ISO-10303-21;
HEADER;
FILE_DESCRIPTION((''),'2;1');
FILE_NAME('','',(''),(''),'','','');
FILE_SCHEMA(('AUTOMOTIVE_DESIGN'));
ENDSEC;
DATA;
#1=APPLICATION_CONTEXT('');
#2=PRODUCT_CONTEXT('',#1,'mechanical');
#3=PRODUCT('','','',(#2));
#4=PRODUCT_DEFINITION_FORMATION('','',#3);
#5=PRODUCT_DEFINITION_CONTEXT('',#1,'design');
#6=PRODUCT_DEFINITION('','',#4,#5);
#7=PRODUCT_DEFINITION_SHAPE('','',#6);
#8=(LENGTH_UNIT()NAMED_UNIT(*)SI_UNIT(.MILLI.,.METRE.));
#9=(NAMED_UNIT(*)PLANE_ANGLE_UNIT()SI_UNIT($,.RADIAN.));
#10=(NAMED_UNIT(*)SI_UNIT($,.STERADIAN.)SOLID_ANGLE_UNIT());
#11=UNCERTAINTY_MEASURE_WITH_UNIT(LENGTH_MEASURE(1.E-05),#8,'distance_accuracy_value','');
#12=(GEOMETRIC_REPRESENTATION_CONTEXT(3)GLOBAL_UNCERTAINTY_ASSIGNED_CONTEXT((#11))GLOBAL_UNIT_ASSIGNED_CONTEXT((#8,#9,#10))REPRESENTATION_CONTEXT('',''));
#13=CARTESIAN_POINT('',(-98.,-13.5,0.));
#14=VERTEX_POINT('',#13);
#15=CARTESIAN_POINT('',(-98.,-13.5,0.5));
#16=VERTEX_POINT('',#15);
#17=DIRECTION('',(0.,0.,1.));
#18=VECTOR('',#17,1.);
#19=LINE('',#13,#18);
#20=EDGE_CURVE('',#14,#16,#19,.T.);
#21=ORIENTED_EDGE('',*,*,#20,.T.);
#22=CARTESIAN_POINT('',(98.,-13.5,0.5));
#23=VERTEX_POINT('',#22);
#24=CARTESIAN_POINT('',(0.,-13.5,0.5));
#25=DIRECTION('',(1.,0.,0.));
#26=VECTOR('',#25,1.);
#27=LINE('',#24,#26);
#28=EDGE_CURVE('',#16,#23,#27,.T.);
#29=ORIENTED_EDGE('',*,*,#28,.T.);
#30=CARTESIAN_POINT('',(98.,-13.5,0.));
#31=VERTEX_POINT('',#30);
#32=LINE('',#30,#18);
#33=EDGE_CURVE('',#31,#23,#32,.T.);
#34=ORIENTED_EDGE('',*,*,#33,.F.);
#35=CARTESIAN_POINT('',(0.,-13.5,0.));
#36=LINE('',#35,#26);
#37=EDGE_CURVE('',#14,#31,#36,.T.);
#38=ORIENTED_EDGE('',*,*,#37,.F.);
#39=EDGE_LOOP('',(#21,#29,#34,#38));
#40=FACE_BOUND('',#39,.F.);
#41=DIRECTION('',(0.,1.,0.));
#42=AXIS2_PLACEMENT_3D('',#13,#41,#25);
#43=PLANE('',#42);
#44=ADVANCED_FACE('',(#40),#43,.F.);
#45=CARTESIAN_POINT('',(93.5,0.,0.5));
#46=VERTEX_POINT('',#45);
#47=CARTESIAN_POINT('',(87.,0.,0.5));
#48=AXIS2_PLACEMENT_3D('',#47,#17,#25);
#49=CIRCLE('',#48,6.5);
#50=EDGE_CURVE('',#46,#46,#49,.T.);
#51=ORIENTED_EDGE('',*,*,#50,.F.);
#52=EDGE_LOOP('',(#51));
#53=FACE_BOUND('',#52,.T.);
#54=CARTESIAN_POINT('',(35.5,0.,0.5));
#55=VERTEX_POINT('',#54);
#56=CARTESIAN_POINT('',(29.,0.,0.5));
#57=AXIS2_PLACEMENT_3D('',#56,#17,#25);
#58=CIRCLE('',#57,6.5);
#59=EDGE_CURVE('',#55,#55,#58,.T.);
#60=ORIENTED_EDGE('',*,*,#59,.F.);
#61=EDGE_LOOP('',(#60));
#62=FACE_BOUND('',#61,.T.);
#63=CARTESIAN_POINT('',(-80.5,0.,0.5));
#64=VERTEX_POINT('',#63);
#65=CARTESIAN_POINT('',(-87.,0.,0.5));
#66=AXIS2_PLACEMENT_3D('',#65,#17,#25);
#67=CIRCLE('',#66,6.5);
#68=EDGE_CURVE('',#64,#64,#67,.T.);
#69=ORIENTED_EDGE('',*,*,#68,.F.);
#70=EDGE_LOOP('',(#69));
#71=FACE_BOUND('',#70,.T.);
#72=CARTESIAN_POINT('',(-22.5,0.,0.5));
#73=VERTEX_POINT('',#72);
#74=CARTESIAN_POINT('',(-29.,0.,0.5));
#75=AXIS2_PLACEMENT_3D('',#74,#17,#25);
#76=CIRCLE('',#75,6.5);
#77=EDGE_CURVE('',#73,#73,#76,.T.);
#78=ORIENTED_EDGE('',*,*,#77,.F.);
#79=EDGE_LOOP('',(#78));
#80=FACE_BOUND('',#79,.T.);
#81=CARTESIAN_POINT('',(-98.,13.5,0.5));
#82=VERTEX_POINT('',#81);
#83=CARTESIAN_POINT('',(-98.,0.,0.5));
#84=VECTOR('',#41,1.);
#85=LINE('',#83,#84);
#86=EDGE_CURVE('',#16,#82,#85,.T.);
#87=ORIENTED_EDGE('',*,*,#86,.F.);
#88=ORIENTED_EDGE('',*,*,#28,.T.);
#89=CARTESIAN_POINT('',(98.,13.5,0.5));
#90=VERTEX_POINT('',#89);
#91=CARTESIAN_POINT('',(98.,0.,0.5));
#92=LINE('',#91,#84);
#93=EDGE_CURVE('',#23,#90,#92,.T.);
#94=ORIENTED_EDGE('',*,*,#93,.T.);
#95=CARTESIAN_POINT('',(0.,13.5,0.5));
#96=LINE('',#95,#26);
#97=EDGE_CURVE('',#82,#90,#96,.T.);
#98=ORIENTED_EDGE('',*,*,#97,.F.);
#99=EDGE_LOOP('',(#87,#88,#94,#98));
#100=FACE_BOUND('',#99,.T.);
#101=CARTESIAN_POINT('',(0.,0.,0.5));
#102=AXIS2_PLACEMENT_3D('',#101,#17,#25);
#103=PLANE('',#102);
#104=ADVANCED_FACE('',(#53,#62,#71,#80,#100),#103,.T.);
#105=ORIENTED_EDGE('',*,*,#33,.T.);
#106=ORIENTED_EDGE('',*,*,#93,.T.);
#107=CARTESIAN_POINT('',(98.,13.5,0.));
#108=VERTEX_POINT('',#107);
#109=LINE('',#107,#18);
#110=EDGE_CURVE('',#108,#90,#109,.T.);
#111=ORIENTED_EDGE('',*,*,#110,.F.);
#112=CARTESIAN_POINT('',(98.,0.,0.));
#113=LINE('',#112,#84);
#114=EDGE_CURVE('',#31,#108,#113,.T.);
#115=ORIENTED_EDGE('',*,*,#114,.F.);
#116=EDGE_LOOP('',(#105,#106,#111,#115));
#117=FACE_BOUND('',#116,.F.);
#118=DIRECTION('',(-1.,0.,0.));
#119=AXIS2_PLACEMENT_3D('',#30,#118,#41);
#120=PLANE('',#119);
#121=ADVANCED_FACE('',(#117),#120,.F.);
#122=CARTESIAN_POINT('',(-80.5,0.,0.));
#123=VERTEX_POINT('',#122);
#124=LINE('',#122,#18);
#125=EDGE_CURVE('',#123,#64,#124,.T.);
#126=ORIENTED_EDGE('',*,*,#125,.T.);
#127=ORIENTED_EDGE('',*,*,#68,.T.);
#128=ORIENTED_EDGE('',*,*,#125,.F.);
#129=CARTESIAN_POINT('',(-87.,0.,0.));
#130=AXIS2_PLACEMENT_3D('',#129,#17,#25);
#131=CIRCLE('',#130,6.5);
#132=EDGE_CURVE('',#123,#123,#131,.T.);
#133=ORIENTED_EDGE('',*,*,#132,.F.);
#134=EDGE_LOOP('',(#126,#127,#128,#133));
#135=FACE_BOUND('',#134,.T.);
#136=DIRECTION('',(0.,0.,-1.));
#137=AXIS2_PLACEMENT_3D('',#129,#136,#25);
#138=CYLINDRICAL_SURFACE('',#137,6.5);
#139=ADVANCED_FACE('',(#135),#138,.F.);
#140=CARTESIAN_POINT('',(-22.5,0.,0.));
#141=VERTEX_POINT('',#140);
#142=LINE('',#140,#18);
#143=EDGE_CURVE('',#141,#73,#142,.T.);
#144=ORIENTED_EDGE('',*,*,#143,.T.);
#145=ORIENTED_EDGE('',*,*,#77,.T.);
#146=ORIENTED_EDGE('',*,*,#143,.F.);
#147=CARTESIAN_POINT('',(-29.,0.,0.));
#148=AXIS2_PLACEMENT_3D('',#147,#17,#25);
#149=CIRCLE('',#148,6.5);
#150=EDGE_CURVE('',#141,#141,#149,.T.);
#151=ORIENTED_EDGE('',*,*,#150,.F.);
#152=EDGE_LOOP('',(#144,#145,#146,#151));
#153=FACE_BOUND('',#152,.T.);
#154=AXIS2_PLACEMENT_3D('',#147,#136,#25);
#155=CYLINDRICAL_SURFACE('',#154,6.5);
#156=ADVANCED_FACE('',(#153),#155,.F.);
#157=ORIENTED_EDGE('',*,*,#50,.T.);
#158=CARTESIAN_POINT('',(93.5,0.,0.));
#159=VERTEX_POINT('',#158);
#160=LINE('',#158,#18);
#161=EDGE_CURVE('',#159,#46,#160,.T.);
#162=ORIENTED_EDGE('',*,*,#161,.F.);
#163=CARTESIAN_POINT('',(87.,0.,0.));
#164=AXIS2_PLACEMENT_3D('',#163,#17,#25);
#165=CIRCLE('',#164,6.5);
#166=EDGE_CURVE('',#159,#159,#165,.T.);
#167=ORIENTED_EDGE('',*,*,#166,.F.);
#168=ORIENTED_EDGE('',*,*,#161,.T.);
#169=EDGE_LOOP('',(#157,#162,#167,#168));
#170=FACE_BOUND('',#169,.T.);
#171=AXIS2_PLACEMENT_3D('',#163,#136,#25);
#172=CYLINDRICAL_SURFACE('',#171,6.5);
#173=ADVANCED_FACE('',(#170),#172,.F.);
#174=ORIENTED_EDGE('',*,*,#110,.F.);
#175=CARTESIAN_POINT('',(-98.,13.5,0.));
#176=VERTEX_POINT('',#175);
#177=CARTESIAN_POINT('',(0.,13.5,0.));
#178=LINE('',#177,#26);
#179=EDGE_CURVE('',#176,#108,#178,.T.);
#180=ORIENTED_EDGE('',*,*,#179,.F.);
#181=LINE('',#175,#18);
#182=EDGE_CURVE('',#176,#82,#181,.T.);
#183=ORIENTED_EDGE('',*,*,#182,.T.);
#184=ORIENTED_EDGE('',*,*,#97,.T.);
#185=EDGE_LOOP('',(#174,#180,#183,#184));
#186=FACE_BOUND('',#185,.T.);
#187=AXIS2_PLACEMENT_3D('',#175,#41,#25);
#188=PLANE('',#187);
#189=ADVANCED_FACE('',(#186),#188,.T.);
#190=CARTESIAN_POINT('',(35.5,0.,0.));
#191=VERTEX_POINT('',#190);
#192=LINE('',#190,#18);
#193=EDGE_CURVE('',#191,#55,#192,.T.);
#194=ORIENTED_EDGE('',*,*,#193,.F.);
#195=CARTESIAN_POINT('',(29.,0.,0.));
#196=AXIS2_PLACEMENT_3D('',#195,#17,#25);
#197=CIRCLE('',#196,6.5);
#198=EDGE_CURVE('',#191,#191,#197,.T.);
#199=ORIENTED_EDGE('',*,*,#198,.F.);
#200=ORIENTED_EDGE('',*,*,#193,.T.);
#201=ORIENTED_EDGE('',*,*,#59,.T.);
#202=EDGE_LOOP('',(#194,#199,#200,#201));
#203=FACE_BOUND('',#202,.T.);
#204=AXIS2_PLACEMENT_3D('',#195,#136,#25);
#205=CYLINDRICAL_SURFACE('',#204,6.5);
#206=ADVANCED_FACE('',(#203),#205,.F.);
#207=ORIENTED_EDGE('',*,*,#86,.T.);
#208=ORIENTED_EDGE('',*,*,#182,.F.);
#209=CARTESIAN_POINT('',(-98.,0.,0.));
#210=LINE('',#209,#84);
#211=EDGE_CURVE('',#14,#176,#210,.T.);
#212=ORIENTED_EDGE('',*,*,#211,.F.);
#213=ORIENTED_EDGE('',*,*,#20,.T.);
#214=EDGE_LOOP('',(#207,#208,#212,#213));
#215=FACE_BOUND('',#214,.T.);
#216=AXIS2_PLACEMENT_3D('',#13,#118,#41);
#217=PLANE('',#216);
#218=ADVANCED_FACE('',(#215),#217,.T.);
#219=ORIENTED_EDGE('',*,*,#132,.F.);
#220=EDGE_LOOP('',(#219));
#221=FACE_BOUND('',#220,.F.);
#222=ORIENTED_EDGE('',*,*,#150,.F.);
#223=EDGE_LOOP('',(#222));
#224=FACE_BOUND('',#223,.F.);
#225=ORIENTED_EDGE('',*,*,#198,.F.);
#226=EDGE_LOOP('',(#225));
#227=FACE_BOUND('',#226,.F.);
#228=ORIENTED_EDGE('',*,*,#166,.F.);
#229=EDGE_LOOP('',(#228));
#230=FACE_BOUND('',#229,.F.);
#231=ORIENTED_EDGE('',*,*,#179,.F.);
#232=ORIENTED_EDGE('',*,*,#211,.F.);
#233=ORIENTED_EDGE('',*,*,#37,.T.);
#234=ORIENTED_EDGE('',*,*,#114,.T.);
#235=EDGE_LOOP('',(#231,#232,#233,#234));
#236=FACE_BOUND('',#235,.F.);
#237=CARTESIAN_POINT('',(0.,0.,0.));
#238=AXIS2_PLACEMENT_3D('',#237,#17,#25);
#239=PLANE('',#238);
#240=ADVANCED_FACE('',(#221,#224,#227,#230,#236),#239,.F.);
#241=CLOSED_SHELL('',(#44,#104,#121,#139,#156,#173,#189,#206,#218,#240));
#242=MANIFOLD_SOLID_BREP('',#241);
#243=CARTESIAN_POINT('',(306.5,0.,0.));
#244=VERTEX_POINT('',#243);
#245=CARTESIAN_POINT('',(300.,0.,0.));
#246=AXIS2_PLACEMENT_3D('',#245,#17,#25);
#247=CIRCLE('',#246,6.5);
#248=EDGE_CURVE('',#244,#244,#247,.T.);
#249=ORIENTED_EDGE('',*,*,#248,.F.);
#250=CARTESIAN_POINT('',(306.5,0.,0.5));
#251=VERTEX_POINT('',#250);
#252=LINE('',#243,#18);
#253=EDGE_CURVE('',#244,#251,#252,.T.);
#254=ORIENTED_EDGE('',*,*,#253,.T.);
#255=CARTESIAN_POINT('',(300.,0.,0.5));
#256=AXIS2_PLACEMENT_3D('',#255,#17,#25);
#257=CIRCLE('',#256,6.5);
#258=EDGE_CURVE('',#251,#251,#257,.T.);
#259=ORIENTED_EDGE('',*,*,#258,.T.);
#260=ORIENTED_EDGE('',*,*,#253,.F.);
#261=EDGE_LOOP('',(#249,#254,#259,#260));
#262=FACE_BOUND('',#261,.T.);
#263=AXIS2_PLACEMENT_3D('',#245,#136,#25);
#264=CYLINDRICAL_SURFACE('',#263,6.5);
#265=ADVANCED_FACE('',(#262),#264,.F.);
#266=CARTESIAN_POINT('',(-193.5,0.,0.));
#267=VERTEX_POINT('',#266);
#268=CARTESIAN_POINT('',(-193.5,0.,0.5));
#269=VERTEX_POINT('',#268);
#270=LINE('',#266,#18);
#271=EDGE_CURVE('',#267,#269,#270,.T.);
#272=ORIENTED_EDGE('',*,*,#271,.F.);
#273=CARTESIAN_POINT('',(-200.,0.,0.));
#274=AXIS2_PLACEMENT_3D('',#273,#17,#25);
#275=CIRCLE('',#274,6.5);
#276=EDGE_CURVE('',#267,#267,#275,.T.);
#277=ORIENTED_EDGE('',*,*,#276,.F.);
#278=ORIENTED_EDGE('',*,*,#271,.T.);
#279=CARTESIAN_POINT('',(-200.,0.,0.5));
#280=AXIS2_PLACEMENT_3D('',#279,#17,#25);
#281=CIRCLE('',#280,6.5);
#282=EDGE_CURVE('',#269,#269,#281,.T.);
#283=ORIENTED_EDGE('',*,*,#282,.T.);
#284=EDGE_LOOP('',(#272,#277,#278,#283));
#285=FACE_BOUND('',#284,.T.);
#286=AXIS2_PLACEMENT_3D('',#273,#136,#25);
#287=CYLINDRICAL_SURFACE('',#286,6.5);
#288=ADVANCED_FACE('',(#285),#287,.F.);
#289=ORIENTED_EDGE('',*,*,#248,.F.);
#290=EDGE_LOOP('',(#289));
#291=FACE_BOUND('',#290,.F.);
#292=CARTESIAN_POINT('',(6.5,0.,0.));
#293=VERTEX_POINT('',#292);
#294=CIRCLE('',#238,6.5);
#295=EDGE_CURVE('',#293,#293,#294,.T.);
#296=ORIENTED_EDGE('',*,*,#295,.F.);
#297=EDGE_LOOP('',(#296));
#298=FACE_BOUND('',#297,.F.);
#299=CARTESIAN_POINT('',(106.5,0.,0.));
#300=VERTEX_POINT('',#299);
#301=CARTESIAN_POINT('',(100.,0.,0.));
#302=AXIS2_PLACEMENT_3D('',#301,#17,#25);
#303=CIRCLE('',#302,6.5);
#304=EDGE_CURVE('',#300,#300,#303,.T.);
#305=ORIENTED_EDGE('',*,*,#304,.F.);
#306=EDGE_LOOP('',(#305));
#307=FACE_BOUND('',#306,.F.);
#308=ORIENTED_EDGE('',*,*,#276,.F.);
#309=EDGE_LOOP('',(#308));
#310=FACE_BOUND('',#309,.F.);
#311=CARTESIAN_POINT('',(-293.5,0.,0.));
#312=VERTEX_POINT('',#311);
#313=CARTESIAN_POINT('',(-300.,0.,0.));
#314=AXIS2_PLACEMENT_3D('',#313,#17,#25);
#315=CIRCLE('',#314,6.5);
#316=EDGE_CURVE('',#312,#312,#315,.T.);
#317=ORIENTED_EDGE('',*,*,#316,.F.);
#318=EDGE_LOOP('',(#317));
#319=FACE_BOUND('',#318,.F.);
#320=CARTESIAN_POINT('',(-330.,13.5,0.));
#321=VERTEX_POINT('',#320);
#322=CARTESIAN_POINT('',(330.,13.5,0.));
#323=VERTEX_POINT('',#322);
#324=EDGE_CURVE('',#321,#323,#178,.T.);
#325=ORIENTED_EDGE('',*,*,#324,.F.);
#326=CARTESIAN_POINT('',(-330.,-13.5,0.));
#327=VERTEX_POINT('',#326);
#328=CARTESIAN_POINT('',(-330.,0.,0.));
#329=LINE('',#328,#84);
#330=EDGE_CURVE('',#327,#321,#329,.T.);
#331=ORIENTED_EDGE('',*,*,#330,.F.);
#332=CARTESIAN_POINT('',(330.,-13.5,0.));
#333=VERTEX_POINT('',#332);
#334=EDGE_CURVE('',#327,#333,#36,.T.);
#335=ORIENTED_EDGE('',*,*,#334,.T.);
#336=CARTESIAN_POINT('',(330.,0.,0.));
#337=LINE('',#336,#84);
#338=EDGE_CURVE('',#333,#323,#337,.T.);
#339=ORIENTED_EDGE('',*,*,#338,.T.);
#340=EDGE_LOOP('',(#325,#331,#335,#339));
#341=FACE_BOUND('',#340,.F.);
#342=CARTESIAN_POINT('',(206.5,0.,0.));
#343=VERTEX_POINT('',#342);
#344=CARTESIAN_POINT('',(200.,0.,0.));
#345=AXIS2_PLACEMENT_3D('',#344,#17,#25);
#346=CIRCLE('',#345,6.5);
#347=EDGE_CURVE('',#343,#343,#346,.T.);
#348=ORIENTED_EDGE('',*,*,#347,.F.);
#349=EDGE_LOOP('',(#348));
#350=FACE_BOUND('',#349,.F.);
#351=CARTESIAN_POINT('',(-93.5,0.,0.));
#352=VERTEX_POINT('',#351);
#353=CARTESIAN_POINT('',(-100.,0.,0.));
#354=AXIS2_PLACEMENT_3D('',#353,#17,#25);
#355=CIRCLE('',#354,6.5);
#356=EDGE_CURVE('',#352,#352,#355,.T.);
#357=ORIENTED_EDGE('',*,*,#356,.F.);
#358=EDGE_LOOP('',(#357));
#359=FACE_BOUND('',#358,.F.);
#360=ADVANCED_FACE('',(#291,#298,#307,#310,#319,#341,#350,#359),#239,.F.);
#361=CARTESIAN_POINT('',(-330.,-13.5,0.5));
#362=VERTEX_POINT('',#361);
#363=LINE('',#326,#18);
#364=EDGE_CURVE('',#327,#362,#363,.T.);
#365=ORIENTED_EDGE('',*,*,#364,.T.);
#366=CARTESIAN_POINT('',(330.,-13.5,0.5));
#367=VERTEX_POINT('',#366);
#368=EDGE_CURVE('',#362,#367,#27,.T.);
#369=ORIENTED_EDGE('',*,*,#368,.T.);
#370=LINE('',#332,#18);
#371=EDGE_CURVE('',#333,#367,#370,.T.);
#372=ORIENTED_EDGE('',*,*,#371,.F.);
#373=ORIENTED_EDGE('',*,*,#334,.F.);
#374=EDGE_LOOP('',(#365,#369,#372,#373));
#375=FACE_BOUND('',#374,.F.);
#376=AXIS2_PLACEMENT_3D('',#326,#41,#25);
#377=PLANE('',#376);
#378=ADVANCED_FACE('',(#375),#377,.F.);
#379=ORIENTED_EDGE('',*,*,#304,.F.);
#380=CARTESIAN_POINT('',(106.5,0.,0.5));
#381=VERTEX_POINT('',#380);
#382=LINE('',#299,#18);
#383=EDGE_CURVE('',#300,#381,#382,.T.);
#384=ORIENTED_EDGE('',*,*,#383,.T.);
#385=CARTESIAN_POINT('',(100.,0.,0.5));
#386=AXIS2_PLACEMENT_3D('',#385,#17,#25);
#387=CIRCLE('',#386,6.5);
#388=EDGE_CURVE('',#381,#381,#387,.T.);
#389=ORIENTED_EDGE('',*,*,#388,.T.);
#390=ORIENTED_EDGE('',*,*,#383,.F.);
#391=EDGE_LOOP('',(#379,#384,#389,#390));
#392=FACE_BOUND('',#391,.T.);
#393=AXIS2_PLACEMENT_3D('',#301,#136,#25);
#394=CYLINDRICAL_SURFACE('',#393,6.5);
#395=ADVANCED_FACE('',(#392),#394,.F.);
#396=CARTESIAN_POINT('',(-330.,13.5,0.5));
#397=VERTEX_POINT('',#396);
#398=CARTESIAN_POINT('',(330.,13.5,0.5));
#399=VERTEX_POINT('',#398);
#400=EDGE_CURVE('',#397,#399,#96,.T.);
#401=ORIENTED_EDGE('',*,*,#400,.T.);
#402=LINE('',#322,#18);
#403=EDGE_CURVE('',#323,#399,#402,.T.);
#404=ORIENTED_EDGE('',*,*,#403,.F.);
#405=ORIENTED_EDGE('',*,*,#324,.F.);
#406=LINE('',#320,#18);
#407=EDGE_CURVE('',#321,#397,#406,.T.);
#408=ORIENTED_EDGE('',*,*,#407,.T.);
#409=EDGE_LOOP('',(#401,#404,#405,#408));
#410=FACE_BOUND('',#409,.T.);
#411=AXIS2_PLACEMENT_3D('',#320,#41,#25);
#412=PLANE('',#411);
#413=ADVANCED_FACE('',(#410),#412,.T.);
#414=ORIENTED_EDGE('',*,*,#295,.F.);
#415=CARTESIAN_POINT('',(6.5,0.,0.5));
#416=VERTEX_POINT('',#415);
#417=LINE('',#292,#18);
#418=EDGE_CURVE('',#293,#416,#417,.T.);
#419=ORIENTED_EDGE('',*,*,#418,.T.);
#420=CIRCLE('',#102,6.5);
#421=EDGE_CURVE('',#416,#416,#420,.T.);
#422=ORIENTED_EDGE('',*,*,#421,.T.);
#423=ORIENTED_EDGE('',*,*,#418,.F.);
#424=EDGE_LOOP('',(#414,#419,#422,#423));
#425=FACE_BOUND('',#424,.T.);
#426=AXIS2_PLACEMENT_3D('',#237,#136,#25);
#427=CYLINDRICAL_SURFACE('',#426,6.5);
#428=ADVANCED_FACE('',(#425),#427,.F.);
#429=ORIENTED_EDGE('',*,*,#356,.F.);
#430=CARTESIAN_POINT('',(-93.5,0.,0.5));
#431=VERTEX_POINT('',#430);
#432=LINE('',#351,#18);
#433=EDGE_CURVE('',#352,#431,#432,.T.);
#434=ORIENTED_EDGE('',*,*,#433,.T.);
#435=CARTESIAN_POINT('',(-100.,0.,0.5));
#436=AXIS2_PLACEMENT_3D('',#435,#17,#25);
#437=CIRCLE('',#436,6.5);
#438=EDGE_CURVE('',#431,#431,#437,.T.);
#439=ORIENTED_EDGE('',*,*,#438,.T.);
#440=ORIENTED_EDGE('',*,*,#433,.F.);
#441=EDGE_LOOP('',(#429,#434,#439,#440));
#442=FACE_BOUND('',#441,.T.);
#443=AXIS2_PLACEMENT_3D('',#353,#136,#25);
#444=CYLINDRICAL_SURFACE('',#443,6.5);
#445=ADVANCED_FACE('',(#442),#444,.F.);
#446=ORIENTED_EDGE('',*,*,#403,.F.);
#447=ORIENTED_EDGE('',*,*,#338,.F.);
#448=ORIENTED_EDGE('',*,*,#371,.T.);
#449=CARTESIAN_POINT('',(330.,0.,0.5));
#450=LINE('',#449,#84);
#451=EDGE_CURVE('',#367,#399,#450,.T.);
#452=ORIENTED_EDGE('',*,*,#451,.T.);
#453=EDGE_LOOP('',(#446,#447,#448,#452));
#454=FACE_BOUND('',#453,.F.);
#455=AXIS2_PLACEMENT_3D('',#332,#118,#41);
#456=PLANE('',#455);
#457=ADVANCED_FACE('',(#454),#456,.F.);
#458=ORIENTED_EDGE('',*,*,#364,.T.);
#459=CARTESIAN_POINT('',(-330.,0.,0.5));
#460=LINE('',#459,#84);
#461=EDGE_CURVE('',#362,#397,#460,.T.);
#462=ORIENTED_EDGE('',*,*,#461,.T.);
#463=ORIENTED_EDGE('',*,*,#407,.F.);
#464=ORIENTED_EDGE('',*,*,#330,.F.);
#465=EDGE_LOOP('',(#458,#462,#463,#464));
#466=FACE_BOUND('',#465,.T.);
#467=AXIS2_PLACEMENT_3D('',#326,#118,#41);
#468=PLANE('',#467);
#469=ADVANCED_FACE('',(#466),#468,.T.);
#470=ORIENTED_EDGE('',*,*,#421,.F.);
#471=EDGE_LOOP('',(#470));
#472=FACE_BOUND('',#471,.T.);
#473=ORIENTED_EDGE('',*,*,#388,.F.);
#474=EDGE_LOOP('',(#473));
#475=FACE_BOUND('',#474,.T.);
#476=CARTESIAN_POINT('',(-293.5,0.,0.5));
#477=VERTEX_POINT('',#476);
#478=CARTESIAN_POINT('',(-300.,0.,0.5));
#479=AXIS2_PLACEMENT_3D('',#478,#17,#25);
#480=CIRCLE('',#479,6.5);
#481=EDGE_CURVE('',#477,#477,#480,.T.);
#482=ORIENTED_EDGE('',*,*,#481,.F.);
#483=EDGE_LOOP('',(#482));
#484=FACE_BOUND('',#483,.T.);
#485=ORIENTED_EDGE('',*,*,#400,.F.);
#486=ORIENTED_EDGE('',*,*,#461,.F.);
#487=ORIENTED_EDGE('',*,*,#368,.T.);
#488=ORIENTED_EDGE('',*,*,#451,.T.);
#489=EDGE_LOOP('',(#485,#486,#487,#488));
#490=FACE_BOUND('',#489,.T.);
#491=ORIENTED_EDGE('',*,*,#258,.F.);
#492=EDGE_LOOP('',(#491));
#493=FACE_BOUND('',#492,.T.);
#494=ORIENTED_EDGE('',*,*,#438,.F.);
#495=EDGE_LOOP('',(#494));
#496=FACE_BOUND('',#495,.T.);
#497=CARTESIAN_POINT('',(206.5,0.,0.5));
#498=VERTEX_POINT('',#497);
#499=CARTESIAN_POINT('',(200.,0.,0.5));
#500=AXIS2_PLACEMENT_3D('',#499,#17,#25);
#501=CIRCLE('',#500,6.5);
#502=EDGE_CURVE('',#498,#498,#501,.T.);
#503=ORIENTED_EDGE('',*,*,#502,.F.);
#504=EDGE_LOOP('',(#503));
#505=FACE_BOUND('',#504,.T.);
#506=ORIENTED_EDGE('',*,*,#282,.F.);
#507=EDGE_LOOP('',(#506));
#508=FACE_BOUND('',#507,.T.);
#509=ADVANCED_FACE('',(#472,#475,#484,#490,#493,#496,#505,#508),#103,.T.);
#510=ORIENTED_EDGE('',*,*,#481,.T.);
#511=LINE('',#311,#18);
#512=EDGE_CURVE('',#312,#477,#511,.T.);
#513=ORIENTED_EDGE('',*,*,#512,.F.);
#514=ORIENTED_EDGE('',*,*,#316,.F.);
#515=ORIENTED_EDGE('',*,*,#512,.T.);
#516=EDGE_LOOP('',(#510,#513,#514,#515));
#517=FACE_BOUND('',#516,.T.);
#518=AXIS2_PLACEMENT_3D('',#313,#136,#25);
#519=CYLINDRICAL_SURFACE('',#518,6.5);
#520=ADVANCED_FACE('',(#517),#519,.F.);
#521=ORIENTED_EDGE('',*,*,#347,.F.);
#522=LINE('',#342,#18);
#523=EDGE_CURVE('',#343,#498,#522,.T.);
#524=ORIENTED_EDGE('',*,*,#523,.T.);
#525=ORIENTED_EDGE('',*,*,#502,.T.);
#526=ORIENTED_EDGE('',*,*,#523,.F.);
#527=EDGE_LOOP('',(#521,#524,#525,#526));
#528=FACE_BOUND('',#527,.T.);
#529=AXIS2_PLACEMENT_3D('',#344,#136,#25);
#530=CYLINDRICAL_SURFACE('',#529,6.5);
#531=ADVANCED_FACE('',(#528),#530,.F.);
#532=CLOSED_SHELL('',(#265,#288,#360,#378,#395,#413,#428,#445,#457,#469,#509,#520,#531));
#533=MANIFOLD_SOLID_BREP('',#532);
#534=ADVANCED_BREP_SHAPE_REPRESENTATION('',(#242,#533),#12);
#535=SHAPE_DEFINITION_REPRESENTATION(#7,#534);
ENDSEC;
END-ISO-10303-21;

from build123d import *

# Parameters (mm, degrees)
F0_W     = 196
F0_H     = 27
F0_R     = 6.5
F1_DEPTH = 0.5
F2_W     = 660
F2_H     = 27
F2_R     = 6.5
F3_DEPTH = 0.5


with BuildPart() as f1:
    # F0 (on Top) → F1 (new body)
    with BuildSketch(Plane.XY):
        Rectangle(F0_W, F0_H)
        with Locations((-87, 0)):
            Circle(F0_R, mode=Mode.SUBTRACT)
        with Locations((-29, 0)):
            Circle(F0_R, mode=Mode.SUBTRACT)
        with Locations((29, 0)):
            Circle(F0_R, mode=Mode.SUBTRACT)
        with Locations((87, 0)):
            Circle(F0_R, mode=Mode.SUBTRACT)
    extrude(amount=F1_DEPTH)


with BuildPart() as f3:
    # F2 (on Top) → F3 (new body)
    with BuildSketch(Plane.XY):
        Rectangle(F2_W, F2_H)
        with Locations((-300, 0)):
            Circle(F2_R, mode=Mode.SUBTRACT)
        with Locations((-200, 0)):
            Circle(F2_R, mode=Mode.SUBTRACT)
        with Locations((-100, 0)):
            Circle(F2_R, mode=Mode.SUBTRACT)
        Circle(F2_R, mode=Mode.SUBTRACT)
        with Locations((100, 0)):
            Circle(F2_R, mode=Mode.SUBTRACT)
        with Locations((200, 0)):
            Circle(F2_R, mode=Mode.SUBTRACT)
        with Locations((300, 0)):
            Circle(F2_R, mode=Mode.SUBTRACT)
    extrude(amount=F3_DEPTH)


solid = Compound([f1.part, f3.part])
